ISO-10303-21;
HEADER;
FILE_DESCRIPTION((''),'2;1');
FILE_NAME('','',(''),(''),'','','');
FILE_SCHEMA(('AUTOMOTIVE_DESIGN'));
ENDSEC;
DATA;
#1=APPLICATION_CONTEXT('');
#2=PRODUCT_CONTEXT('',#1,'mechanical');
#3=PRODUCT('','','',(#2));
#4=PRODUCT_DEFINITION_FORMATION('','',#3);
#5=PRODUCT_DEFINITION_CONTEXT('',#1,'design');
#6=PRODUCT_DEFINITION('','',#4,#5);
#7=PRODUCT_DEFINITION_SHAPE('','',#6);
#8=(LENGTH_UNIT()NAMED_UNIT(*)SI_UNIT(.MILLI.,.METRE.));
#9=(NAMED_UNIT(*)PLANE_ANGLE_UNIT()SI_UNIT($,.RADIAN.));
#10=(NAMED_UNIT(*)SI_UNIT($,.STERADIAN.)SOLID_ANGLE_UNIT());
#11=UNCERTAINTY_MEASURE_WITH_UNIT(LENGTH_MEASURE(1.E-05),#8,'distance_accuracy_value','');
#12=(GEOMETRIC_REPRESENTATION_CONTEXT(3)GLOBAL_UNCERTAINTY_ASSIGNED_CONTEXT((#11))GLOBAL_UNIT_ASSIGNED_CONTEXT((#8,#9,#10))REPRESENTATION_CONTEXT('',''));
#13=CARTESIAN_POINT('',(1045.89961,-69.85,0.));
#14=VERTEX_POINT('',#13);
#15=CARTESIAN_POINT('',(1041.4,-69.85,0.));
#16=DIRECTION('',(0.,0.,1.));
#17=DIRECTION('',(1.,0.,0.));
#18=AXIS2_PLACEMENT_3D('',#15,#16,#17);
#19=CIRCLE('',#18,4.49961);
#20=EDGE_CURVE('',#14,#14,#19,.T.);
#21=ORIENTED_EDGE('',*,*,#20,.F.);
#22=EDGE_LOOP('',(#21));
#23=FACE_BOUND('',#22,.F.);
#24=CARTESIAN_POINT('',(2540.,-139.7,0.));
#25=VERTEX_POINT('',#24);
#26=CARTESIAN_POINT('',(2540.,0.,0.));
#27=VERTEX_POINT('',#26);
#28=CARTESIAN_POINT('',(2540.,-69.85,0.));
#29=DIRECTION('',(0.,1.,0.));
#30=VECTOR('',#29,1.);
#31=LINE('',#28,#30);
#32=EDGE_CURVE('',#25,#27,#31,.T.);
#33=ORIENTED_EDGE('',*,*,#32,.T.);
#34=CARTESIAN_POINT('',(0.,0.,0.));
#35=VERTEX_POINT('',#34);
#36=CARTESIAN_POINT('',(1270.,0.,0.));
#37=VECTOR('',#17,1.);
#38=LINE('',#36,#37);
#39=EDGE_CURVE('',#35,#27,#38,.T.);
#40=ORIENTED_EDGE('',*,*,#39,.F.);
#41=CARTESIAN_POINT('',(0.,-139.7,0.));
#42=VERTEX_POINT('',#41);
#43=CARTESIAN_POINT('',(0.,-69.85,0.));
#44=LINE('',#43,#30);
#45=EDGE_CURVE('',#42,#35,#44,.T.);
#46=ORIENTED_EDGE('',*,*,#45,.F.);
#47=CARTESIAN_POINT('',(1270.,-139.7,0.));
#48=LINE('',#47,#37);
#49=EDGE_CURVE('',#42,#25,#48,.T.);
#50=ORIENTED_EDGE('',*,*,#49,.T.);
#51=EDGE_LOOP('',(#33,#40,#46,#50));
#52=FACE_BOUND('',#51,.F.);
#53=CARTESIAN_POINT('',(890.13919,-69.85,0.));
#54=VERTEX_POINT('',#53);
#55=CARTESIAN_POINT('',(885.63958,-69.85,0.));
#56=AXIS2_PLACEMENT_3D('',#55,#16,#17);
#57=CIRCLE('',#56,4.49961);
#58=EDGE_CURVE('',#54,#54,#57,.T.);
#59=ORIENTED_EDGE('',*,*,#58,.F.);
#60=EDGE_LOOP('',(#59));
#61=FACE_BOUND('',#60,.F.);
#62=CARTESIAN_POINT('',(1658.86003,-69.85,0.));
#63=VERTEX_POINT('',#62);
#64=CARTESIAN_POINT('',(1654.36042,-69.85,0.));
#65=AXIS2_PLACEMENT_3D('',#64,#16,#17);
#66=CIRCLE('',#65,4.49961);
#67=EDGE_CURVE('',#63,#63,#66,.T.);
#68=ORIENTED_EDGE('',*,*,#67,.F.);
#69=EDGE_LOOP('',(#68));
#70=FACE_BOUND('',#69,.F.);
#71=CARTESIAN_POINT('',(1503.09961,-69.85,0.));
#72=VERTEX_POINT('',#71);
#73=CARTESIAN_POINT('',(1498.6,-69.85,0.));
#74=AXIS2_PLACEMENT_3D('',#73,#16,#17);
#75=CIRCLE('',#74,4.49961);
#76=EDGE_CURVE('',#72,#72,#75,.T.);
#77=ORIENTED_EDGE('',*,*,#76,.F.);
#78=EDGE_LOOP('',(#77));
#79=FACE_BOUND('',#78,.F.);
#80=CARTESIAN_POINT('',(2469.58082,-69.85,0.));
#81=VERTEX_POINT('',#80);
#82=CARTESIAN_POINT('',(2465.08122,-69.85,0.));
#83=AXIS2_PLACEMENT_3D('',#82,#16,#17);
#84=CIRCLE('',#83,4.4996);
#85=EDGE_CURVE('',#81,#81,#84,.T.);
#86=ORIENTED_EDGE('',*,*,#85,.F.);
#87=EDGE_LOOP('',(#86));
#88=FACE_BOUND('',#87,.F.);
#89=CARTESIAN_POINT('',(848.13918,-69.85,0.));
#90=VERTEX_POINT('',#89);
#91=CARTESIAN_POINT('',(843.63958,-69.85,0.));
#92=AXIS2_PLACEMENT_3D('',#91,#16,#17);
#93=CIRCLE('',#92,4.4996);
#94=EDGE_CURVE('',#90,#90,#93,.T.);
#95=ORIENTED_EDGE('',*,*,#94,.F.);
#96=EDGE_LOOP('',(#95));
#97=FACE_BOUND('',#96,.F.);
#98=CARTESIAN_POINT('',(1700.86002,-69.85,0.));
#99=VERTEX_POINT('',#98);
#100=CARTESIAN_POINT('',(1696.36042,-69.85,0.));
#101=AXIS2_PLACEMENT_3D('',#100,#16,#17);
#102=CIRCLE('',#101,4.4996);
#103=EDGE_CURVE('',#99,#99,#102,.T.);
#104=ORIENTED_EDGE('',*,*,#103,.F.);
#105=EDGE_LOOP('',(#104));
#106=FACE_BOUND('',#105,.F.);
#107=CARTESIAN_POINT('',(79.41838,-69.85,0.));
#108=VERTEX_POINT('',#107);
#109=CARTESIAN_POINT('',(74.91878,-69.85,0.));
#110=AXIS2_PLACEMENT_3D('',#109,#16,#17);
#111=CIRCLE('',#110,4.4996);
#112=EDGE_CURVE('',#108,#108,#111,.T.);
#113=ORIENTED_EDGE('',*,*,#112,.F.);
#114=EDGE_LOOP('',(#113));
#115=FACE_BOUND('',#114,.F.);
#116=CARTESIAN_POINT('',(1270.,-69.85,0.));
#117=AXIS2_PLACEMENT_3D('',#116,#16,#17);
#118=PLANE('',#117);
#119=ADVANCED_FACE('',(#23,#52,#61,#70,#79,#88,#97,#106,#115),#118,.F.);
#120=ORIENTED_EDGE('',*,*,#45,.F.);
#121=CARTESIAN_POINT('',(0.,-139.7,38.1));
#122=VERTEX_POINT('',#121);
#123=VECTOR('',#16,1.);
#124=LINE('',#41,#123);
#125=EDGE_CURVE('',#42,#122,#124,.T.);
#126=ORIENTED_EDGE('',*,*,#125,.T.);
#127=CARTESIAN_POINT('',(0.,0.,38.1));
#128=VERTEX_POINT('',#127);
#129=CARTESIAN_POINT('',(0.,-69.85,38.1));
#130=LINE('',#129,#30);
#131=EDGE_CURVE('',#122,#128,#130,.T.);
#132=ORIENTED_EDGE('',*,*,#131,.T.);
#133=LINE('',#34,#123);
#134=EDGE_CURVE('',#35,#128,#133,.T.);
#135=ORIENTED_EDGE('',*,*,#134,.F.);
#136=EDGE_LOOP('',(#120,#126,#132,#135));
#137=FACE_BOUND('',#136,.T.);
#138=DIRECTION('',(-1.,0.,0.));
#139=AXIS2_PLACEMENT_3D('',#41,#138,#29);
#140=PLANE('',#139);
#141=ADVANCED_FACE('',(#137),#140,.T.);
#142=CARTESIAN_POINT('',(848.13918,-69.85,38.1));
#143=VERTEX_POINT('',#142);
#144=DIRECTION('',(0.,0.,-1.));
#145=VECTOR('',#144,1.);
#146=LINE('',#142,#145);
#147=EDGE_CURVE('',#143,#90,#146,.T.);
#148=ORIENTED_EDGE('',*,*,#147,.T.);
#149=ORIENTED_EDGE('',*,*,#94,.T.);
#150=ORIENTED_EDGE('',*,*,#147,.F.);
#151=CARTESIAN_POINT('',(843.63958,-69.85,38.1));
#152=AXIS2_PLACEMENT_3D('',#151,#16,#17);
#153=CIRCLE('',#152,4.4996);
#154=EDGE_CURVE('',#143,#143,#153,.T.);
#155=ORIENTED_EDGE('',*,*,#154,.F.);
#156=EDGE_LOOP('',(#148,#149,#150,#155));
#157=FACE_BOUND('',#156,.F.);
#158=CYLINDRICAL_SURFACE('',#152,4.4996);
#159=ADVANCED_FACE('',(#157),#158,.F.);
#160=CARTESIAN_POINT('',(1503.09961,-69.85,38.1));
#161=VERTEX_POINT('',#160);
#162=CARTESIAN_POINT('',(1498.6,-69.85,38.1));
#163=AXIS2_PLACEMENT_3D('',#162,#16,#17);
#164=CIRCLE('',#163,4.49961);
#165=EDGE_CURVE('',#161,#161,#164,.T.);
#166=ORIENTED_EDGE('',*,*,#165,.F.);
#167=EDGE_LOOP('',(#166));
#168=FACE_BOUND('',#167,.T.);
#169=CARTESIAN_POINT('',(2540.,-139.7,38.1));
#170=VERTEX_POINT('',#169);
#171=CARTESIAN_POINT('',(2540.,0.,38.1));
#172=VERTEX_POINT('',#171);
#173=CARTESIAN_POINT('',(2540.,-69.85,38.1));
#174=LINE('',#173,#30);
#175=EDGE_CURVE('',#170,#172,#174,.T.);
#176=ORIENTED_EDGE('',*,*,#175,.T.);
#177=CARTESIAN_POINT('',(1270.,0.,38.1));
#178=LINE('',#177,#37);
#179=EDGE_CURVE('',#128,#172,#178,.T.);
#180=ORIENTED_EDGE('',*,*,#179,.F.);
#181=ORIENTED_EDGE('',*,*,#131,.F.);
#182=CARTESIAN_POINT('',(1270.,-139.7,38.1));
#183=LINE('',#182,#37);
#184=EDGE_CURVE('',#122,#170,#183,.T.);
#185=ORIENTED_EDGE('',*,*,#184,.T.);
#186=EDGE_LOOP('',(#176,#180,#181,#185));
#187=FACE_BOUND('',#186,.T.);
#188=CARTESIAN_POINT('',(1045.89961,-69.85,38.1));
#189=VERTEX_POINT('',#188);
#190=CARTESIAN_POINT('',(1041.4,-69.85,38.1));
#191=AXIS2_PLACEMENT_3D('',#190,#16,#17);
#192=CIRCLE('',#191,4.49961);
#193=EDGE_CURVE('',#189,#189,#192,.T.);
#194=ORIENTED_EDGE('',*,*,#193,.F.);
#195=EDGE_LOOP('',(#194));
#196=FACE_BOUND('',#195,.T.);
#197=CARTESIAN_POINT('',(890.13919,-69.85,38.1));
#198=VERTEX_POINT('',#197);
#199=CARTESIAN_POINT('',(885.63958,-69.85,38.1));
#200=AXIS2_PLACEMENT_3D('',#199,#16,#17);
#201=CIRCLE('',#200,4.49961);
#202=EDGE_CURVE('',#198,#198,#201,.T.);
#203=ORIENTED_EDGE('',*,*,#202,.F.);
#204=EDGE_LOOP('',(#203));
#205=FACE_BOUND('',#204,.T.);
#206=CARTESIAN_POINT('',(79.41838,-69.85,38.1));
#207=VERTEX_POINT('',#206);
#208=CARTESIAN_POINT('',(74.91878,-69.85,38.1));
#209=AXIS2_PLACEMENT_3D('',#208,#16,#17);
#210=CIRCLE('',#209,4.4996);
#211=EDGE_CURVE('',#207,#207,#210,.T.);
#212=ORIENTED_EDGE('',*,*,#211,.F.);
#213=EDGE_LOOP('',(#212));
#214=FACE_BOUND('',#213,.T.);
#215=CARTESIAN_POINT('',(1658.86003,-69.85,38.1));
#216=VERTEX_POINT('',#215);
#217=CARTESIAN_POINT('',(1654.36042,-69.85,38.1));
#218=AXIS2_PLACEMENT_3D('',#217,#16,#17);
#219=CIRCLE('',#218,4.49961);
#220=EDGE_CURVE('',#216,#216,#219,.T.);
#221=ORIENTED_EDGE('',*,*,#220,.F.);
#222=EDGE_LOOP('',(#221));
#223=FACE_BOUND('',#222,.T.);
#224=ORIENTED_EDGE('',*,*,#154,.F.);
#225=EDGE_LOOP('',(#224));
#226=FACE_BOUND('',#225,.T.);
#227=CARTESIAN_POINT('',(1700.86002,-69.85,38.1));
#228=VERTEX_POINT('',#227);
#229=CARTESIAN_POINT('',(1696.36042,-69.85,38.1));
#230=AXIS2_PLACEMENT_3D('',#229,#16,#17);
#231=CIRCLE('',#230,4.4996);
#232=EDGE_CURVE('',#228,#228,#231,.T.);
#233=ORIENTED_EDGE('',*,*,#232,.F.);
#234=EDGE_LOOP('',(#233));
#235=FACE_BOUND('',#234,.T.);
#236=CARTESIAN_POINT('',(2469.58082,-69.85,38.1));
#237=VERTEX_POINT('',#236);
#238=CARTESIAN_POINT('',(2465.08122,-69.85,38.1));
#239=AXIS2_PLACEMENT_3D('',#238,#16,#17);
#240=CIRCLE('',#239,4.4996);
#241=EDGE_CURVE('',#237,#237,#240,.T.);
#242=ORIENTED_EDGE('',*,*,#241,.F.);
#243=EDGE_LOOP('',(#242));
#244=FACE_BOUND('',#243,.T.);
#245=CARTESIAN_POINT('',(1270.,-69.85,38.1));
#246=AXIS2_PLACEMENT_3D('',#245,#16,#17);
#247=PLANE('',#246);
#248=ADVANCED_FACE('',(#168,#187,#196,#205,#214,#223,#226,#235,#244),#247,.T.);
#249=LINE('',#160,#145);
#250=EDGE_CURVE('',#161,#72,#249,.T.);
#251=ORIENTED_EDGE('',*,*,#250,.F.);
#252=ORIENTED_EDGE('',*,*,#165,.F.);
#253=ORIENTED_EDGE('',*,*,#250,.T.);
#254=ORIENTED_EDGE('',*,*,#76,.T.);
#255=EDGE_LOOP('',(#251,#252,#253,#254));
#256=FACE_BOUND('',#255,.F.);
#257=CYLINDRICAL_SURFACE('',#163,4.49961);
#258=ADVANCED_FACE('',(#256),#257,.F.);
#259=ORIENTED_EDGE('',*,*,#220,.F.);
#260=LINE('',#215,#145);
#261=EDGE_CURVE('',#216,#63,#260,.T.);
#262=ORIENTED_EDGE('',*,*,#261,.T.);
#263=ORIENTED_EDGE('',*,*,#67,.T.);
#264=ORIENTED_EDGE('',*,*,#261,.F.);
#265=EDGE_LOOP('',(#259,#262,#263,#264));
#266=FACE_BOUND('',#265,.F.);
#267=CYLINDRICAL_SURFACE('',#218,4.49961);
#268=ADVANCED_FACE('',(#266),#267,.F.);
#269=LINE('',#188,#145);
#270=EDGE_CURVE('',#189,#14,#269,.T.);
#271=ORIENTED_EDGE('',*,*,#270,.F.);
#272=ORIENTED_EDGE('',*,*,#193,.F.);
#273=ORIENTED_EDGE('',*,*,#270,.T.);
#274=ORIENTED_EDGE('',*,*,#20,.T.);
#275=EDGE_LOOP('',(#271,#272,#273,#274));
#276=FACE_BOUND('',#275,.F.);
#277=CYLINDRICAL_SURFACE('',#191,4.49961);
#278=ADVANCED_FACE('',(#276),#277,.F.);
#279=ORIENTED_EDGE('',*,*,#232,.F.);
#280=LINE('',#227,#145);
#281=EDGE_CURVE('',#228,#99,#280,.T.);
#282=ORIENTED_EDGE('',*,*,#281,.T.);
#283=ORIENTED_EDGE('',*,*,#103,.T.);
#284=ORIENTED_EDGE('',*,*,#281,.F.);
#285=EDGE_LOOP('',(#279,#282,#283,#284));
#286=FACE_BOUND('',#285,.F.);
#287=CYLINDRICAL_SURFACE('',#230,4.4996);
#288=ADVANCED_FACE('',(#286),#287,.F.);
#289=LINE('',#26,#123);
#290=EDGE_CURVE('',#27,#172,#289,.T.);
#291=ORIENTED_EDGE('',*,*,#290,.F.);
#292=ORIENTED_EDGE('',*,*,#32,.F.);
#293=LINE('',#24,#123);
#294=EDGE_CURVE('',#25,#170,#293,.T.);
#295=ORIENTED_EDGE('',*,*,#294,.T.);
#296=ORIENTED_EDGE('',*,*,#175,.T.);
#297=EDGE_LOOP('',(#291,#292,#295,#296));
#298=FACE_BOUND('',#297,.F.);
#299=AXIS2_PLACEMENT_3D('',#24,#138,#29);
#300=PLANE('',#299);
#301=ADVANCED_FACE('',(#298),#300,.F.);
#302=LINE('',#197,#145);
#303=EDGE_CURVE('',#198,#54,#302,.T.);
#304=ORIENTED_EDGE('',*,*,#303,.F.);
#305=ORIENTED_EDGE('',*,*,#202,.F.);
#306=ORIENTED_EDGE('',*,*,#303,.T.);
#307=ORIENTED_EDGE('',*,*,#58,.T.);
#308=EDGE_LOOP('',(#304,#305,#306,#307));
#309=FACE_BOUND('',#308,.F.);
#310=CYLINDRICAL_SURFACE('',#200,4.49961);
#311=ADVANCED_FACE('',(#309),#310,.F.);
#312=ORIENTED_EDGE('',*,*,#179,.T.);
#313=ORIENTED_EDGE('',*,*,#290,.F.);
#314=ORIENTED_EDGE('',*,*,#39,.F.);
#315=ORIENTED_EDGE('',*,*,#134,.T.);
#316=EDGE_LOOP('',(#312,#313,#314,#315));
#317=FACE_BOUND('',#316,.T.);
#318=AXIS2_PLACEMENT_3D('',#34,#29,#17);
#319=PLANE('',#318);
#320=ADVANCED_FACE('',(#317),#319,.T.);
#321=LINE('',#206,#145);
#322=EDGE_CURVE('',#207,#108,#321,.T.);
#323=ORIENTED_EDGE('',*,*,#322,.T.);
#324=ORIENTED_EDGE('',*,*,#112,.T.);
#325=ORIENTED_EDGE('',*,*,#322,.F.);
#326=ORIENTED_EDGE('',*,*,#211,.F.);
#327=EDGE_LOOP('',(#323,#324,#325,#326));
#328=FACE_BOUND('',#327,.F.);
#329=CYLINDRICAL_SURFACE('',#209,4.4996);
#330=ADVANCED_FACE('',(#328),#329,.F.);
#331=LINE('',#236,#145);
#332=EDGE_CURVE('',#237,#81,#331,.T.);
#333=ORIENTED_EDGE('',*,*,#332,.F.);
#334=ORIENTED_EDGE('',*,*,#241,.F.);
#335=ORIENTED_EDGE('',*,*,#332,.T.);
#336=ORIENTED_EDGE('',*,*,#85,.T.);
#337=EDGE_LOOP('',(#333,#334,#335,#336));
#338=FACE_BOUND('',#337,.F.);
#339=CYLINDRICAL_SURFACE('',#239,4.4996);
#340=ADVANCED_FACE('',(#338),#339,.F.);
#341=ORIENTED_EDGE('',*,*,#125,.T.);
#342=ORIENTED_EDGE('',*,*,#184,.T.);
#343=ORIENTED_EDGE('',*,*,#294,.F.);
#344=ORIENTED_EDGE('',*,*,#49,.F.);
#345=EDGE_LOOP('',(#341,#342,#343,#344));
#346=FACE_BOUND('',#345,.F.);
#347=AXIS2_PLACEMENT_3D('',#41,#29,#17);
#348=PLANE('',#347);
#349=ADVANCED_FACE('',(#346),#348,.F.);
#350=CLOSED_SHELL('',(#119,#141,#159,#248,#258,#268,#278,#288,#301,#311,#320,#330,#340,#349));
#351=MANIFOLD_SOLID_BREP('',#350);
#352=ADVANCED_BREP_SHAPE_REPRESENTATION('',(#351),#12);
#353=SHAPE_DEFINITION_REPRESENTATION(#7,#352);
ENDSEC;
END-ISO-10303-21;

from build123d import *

# Parameters (mm, degrees)
SKETCH1_W                                    = 2540
SKETCH1_H                                    = 139.7
BOSS_EXTRUDE1_DEPTH                          = 38.1
SKETCH5_R                                    = 4.49961
HINGE_AND_MIDDLE_PANEL_BOLT_THRU_HOLES_DEPTH = 2545.124151845
SKETCH7_R                                    = 4.4996
CUT_EXTRUDE2_DEPTH                           = 2545.124151845


with BuildPart() as part:
    # Sketch1 → Boss-Extrude1 (new body)
    with BuildSketch(Plane.XY):
        with Locations((1270, -69.85)):
            Rectangle(SKETCH1_W, SKETCH1_H)
    extrude(amount=BOSS_EXTRUDE1_DEPTH)

    # Sketch5 → hinge and middle panel bolt thru holes (cut, through all)
    with BuildSketch(Plane.XY.offset(38.1)):
        with Locations((1654.36042, -69.85)):
            Circle(SKETCH5_R)
        with Locations((885.63958, -69.85)):
            Circle(SKETCH5_R)
        with Locations((1041.4, -69.85)):
            Circle(SKETCH5_R)
        with Locations((1498.6, -69.85)):
            Circle(SKETCH5_R)
    extrude(amount=-HINGE_AND_MIDDLE_PANEL_BOLT_THRU_HOLES_DEPTH, mode=Mode.SUBTRACT)

    # Sketch7 → Cut-Extrude2 (cut, through all)
    with BuildSketch(Plane.XY.offset(38.1)):
        with Locations((1696.36042, -69.85)):
            Circle(SKETCH7_R)
        with Locations((2465.08122, -69.85)):
            Circle(SKETCH7_R)
        with Locations((74.91878, -69.85)):
            Circle(SKETCH7_R)
        with Locations((843.63958, -69.85)):
            Circle(SKETCH7_R)
    extrude(amount=-CUT_EXTRUDE2_DEPTH, mode=Mode.SUBTRACT)


solid = part.part
